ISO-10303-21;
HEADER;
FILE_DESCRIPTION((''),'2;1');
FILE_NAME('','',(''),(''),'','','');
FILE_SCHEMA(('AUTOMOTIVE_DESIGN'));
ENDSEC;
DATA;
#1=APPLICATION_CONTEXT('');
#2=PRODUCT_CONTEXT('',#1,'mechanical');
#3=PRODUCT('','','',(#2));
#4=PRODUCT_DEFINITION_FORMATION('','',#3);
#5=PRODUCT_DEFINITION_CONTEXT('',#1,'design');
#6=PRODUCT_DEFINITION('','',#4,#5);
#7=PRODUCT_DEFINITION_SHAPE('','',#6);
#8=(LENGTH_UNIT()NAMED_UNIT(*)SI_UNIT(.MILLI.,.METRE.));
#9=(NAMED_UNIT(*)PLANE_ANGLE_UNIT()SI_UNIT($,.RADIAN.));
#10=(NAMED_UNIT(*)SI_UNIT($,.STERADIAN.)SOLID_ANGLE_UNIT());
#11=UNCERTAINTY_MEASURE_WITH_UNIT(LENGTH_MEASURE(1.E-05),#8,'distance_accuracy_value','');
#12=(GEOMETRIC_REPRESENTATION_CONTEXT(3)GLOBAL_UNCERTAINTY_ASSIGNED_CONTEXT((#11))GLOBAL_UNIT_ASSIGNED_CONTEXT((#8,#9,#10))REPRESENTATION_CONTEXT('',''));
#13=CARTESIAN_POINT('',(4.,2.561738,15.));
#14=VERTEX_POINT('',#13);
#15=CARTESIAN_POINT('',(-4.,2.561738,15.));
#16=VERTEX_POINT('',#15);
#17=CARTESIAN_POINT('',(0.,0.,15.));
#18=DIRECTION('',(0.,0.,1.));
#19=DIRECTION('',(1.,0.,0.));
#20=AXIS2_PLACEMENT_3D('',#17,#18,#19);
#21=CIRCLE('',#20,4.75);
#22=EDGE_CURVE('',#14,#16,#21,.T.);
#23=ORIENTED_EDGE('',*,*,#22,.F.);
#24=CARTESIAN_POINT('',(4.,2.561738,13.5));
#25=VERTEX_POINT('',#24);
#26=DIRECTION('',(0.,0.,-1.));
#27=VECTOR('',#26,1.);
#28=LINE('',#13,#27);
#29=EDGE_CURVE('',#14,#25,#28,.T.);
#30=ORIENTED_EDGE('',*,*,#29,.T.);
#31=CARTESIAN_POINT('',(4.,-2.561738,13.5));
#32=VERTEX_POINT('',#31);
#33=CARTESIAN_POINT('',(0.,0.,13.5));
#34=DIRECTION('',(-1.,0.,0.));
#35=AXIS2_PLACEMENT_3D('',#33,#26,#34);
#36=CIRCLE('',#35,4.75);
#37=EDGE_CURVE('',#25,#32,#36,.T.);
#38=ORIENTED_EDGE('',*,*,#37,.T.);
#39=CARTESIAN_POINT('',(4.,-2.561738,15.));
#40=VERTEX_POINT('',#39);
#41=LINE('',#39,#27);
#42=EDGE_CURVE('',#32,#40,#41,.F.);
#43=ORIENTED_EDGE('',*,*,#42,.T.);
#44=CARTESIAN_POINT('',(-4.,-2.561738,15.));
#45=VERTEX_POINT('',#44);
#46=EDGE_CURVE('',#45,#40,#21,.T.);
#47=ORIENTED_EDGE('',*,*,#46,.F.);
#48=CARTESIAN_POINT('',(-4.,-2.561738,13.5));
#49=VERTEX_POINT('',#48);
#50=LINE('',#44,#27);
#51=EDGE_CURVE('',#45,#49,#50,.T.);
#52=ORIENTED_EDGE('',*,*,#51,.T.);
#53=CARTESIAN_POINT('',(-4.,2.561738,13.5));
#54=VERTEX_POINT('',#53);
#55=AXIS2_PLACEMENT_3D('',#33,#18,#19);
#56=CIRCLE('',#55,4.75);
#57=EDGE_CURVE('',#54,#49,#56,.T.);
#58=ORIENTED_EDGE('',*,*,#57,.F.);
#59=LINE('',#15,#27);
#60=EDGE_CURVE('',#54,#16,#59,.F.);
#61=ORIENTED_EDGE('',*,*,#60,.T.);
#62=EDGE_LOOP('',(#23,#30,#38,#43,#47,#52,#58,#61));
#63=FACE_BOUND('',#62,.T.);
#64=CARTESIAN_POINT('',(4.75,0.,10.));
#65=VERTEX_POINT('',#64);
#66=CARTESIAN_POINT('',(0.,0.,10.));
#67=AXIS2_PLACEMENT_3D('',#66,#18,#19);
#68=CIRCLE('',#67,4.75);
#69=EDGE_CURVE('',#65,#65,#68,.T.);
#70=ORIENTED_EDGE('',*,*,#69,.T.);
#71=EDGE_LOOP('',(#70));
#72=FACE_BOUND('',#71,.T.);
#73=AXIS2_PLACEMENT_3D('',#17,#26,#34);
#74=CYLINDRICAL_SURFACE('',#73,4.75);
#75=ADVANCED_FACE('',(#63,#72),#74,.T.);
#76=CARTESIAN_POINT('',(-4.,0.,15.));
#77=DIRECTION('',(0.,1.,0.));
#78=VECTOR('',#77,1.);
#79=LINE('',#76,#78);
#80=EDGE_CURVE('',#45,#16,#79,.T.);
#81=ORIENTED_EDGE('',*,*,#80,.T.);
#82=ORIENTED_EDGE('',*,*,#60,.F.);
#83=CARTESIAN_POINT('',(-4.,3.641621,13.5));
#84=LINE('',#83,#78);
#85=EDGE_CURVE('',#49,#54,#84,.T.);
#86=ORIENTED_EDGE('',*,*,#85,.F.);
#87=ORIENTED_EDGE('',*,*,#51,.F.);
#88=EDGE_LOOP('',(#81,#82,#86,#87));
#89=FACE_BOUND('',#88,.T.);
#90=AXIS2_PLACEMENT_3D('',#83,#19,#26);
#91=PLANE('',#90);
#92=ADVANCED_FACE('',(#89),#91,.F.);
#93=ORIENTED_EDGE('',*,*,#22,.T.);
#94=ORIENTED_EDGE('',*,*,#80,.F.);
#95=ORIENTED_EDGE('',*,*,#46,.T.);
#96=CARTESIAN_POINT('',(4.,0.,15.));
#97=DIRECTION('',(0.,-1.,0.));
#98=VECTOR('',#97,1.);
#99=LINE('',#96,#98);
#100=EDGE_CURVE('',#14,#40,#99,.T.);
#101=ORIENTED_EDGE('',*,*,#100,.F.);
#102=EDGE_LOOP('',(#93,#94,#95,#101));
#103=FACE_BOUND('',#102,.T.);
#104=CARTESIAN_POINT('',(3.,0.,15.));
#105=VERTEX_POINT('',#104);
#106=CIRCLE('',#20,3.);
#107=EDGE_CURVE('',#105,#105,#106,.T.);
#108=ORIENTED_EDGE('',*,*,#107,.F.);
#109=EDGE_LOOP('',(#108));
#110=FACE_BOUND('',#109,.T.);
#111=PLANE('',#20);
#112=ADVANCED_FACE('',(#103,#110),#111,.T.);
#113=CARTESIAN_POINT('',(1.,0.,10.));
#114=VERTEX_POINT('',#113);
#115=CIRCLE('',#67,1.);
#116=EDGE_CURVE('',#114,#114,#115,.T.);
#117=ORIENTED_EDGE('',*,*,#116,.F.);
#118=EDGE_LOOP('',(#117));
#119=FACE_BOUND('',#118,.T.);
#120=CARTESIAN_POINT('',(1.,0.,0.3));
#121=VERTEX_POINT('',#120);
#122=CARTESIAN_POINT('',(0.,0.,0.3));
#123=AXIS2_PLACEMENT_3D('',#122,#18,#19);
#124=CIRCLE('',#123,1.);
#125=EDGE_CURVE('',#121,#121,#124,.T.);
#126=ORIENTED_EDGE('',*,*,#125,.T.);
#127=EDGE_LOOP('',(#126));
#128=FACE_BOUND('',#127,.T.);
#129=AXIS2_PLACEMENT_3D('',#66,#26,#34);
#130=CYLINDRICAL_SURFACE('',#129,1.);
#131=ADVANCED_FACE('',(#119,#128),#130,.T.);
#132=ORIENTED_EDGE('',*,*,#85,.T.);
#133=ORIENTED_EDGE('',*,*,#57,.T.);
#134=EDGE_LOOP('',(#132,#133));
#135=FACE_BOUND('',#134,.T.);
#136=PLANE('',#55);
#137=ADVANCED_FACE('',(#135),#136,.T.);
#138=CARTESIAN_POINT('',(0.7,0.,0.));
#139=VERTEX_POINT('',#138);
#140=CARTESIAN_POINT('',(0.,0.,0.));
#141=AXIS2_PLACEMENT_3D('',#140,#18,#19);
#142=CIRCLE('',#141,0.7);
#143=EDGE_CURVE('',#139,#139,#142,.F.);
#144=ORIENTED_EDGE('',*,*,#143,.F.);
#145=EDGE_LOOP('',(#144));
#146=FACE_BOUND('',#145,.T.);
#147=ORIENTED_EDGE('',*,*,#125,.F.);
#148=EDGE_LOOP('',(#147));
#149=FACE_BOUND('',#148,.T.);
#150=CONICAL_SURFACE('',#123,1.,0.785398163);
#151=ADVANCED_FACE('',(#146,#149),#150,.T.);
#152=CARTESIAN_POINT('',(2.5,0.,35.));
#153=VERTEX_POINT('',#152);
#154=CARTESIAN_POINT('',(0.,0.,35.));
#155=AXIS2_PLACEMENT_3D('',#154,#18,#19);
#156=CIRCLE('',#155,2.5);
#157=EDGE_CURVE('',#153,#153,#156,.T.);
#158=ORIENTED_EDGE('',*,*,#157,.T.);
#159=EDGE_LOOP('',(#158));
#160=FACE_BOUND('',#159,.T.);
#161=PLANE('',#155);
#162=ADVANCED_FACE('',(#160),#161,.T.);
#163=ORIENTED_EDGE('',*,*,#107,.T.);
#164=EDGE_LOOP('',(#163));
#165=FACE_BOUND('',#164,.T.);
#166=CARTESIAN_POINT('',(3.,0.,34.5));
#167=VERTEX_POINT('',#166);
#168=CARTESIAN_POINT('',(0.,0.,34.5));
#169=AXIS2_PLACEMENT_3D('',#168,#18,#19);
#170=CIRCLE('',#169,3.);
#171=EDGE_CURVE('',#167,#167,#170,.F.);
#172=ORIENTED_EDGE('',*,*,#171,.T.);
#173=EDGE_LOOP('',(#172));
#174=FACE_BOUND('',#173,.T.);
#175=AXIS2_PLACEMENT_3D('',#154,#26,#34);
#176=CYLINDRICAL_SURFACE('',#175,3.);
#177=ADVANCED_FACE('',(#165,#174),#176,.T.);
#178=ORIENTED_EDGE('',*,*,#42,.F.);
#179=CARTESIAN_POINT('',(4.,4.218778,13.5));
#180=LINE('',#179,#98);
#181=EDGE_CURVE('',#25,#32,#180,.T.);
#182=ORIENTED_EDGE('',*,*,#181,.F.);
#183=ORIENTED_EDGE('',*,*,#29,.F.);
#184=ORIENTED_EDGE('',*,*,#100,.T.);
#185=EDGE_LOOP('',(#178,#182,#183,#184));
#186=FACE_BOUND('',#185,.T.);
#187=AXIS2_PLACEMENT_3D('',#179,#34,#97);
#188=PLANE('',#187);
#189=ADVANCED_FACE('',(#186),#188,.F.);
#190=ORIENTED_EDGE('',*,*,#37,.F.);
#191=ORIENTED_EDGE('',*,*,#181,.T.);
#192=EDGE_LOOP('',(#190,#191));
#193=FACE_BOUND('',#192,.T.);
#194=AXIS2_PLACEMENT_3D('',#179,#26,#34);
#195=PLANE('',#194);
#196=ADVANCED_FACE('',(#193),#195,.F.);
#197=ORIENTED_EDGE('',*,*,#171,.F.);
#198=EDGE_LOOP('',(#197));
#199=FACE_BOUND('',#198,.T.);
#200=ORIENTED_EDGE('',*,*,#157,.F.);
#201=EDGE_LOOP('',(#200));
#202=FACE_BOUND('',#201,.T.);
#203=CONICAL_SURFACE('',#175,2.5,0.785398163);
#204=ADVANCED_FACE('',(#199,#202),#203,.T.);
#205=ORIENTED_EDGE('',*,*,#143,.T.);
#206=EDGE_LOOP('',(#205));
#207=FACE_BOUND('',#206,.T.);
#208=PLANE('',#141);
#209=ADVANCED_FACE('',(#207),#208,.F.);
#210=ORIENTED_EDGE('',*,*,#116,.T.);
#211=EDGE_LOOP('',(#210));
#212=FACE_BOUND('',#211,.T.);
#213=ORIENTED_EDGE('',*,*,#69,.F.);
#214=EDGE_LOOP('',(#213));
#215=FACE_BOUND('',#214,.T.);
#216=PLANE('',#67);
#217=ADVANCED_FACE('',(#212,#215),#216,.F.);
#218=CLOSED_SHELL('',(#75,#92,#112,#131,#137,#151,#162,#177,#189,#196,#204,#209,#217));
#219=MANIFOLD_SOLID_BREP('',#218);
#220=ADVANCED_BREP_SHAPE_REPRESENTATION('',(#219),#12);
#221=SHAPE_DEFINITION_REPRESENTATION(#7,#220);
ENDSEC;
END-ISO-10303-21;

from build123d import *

# Parameters (mm, degrees)
SKETCH_1_R          = 1
EXTRUDE_1_DEPTH     = 10
SKETCH_2_R          = 4.75
EXTRUDE_2_DEPTH     = 5
CUT_EXTRUDE_1_DEPTH = 1.5
SKETCH_4_W          = 2.580322654
SKETCH_4_H          = 8.195778588
CUT_EXTRUDE_3_DEPTH = 1.5
SKETCH_5_R          = 3
EXTRUDE_3_DEPTH     = 20
CHAMFER_1_SIZE      = 0.5
CHAMFER_2_SIZE      = 0.3


with BuildPart() as part:
    # Эскиз1 → Вытянуть1 (new body)
    with BuildSketch(Plane.XY):
        Circle(SKETCH_1_R)
    extrude(amount=EXTRUDE_1_DEPTH)

    # Эскиз2 → Вытянуть2 (add)
    with BuildSketch(Plane.XY.offset(10)):
        with Locations(Location((0, 0, 0), (0, 0, 212.636897504))):
            Circle(SKETCH_2_R)
    extrude(amount=EXTRUDE_2_DEPTH)

    # Эскиз3 → Вырез-Вытянуть1 (cut)
    with BuildSketch(Plane.XY.offset(15)):
        with BuildLine():
            Line((-4, 3.641620684), (-4, -3.641620684))
            ThreePointArc((-4, -3.641620684), (-5.409380852, 0), (-4, 3.641620684))
        make_face()
    extrude(amount=-CUT_EXTRUDE_1_DEPTH, mode=Mode.SUBTRACT)

    # Эскиз4 → Вырез-Вытянуть3 (cut)
    with BuildSketch(Plane.XY.offset(15)):
        with Locations((5.290161327, 0.120888876)):
            Rectangle(SKETCH_4_W, SKETCH_4_H)
    extrude(amount=-CUT_EXTRUDE_3_DEPTH, mode=Mode.SUBTRACT)

    # Эскиз5 → Вытянуть3 (add)
    with BuildSketch(Plane.XY.offset(15)):
        Circle(SKETCH_5_R)
    extrude(amount=EXTRUDE_3_DEPTH)

    # Фаска1
    chamfer_1_edges = [part.edges().sort_by_distance(p)[0] for p in [
        (-3, 0, 35),
    ]]
    chamfer(chamfer_1_edges, length=CHAMFER_1_SIZE)

    # Фаска2
    chamfer_2_edges = [part.edges().sort_by_distance(p)[0] for p in [
        (-1, 0, 0),
    ]]
    chamfer(chamfer_2_edges, length=CHAMFER_2_SIZE)


solid = part.part
